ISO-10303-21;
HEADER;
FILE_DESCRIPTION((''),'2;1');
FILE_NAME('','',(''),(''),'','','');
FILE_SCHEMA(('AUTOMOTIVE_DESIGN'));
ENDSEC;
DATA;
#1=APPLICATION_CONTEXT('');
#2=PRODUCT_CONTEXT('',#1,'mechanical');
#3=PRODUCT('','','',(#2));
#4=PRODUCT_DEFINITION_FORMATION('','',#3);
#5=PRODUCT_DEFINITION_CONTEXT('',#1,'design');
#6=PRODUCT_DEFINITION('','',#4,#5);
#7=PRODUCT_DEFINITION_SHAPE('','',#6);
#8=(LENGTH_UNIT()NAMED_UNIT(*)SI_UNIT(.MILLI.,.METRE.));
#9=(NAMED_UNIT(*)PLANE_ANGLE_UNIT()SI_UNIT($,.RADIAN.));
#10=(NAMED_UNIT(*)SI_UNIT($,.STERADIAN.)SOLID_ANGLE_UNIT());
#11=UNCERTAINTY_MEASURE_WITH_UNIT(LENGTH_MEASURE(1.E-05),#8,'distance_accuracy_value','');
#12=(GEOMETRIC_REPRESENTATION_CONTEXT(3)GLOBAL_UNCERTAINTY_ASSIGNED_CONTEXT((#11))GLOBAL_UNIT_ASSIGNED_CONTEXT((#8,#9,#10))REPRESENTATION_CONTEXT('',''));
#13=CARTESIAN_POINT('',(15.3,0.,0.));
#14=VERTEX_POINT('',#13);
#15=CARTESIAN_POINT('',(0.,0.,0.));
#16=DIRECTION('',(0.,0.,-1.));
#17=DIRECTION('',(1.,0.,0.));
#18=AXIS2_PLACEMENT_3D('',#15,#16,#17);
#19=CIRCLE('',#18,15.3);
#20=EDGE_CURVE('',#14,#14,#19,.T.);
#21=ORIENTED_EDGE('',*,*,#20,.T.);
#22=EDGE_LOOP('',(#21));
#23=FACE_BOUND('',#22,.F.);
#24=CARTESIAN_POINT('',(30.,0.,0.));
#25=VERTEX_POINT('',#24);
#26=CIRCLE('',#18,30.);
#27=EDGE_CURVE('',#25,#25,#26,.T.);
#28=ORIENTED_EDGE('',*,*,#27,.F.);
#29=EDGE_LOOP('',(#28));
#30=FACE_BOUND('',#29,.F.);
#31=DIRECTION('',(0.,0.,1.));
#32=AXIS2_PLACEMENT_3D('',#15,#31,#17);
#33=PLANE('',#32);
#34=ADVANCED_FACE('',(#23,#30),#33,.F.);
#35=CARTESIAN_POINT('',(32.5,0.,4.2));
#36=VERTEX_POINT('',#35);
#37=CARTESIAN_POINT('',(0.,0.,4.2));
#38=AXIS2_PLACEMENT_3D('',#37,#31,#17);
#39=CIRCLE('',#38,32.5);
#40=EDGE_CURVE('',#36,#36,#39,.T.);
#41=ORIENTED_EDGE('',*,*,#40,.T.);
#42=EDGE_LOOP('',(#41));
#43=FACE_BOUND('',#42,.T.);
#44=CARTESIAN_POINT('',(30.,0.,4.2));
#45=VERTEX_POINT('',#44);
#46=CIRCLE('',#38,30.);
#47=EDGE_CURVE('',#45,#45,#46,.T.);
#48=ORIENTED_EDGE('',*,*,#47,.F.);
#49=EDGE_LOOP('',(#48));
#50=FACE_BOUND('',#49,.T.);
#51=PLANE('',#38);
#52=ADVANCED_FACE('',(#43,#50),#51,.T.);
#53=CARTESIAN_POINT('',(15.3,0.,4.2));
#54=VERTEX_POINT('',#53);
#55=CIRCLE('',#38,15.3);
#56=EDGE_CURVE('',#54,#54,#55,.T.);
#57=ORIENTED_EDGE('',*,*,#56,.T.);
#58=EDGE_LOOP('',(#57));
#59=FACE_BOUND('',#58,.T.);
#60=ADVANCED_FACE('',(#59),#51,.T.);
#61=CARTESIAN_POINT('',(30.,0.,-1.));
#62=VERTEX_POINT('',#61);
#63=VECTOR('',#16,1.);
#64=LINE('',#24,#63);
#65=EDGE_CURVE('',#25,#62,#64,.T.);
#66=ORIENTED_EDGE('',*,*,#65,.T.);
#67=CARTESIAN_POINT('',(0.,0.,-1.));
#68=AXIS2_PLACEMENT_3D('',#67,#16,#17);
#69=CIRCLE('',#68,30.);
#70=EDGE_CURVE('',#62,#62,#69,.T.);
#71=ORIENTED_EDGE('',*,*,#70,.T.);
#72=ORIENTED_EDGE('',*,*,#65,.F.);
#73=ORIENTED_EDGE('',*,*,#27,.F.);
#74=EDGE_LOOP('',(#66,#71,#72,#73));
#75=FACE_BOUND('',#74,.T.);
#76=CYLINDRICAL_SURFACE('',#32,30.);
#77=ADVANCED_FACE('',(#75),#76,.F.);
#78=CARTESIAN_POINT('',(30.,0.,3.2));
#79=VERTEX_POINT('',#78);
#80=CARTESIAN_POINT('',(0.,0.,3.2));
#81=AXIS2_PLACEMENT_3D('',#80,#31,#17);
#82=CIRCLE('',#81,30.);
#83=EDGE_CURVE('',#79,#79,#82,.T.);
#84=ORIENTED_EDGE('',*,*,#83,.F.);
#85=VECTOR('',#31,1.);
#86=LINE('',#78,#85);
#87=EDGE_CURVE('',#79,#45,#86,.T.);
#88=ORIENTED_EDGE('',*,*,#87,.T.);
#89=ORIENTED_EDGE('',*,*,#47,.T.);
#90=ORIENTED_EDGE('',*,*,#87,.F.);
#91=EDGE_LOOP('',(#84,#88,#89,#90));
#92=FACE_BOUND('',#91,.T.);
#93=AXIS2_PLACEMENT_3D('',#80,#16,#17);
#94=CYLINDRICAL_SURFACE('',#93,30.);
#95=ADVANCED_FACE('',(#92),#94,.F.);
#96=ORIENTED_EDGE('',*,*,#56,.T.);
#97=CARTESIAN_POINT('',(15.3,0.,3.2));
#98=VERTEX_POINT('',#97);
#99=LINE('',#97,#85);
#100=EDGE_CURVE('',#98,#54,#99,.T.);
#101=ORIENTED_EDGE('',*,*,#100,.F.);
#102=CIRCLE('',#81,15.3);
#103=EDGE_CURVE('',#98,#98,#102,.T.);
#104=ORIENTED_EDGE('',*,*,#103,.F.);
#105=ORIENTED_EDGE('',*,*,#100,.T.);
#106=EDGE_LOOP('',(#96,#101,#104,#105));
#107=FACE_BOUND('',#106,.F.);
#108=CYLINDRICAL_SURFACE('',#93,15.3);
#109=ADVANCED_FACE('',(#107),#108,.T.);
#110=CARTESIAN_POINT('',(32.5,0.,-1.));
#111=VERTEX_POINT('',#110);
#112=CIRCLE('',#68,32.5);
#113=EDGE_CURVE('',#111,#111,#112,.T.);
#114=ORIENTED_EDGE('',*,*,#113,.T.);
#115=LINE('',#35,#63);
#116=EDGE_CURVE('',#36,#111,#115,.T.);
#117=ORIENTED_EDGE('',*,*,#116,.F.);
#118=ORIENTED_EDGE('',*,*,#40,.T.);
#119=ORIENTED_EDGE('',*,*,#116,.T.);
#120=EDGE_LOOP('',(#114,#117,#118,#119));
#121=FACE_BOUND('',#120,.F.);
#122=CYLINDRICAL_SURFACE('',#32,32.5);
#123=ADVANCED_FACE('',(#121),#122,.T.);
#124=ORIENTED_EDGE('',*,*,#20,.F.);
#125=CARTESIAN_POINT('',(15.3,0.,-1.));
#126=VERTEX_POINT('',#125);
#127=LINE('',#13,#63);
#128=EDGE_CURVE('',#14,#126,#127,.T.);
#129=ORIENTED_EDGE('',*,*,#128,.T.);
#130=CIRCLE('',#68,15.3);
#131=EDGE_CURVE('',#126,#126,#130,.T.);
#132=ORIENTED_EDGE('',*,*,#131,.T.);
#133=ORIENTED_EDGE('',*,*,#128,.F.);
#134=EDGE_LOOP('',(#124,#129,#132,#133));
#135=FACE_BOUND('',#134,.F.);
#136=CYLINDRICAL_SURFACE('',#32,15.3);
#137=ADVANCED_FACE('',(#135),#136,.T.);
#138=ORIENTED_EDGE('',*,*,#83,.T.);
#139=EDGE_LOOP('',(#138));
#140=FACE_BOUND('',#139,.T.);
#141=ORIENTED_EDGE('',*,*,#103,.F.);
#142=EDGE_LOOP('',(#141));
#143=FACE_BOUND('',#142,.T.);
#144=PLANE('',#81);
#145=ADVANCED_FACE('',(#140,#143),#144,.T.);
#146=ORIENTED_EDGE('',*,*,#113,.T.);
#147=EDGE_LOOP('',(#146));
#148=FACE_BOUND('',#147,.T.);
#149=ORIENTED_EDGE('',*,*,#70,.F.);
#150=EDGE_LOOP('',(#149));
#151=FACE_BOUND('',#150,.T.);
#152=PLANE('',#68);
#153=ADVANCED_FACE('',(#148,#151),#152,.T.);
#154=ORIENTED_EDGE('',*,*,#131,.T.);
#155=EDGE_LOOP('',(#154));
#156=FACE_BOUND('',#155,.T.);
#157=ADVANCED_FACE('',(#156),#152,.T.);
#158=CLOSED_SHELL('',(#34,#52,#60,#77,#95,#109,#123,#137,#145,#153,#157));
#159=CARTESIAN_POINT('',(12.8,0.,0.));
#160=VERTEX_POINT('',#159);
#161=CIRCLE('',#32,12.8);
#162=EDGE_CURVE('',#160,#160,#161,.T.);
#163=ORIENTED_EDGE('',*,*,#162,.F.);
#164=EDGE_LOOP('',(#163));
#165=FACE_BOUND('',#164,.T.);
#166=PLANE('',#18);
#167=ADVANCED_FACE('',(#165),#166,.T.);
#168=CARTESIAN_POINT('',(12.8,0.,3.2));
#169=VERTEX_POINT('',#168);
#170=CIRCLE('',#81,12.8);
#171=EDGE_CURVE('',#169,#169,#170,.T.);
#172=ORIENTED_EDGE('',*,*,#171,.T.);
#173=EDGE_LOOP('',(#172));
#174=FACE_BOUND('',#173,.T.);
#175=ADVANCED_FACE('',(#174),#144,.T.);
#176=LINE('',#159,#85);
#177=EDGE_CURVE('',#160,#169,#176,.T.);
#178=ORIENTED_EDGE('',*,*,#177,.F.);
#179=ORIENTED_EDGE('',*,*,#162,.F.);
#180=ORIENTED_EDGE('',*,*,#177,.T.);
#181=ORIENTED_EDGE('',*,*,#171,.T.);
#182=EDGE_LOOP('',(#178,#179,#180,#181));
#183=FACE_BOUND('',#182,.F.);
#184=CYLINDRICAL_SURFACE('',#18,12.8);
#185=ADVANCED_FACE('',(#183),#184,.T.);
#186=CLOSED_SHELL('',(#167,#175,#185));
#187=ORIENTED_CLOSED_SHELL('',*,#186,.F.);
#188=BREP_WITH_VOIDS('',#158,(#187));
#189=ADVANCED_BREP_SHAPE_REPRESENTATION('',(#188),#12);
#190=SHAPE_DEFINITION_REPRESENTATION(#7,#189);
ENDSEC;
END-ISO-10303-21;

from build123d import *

# Parameters (mm, degrees)
SKETCH_R      = 32.5
SKETCH_R_2    = 12.8
PAD_DEPTH     = 3.2
SKETCH001_R   = 32.5
SKETCH001_R_2 = 30
SKETCH001_R_3 = 15.3
PAD001_DEPTH  = 1
SKETCH002_R   = 32.5
SKETCH002_R_2 = 30
SKETCH002_R_3 = 15.3
PAD002_DEPTH  = 1


with BuildPart() as part:
    # Sketch → Pad (new body)
    with BuildSketch(Plane.XY):
        Circle(SKETCH_R)
        Circle(SKETCH_R_2, mode=Mode.SUBTRACT)
    extrude(amount=PAD_DEPTH)

    # Sketch001 (on Face4 of Pad) → Pad001 (join)
    with BuildSketch(Plane.XY.offset(3.2)):
        Circle(SKETCH001_R)
        Circle(SKETCH001_R_2, mode=Mode.SUBTRACT)
        Circle(SKETCH001_R_3)
    extrude(amount=PAD001_DEPTH)

    # Sketch002 (on Face2 of Pad001) → Pad002 (join)
    with BuildSketch(Plane(origin=(0, 0, 0), x_dir=(1, 0, 0), z_dir=(0, 0, -1))):
        Circle(SKETCH002_R)
        Circle(SKETCH002_R_2, mode=Mode.SUBTRACT)
        Circle(SKETCH002_R_3)
    extrude(amount=PAD002_DEPTH)


solid = part.part
